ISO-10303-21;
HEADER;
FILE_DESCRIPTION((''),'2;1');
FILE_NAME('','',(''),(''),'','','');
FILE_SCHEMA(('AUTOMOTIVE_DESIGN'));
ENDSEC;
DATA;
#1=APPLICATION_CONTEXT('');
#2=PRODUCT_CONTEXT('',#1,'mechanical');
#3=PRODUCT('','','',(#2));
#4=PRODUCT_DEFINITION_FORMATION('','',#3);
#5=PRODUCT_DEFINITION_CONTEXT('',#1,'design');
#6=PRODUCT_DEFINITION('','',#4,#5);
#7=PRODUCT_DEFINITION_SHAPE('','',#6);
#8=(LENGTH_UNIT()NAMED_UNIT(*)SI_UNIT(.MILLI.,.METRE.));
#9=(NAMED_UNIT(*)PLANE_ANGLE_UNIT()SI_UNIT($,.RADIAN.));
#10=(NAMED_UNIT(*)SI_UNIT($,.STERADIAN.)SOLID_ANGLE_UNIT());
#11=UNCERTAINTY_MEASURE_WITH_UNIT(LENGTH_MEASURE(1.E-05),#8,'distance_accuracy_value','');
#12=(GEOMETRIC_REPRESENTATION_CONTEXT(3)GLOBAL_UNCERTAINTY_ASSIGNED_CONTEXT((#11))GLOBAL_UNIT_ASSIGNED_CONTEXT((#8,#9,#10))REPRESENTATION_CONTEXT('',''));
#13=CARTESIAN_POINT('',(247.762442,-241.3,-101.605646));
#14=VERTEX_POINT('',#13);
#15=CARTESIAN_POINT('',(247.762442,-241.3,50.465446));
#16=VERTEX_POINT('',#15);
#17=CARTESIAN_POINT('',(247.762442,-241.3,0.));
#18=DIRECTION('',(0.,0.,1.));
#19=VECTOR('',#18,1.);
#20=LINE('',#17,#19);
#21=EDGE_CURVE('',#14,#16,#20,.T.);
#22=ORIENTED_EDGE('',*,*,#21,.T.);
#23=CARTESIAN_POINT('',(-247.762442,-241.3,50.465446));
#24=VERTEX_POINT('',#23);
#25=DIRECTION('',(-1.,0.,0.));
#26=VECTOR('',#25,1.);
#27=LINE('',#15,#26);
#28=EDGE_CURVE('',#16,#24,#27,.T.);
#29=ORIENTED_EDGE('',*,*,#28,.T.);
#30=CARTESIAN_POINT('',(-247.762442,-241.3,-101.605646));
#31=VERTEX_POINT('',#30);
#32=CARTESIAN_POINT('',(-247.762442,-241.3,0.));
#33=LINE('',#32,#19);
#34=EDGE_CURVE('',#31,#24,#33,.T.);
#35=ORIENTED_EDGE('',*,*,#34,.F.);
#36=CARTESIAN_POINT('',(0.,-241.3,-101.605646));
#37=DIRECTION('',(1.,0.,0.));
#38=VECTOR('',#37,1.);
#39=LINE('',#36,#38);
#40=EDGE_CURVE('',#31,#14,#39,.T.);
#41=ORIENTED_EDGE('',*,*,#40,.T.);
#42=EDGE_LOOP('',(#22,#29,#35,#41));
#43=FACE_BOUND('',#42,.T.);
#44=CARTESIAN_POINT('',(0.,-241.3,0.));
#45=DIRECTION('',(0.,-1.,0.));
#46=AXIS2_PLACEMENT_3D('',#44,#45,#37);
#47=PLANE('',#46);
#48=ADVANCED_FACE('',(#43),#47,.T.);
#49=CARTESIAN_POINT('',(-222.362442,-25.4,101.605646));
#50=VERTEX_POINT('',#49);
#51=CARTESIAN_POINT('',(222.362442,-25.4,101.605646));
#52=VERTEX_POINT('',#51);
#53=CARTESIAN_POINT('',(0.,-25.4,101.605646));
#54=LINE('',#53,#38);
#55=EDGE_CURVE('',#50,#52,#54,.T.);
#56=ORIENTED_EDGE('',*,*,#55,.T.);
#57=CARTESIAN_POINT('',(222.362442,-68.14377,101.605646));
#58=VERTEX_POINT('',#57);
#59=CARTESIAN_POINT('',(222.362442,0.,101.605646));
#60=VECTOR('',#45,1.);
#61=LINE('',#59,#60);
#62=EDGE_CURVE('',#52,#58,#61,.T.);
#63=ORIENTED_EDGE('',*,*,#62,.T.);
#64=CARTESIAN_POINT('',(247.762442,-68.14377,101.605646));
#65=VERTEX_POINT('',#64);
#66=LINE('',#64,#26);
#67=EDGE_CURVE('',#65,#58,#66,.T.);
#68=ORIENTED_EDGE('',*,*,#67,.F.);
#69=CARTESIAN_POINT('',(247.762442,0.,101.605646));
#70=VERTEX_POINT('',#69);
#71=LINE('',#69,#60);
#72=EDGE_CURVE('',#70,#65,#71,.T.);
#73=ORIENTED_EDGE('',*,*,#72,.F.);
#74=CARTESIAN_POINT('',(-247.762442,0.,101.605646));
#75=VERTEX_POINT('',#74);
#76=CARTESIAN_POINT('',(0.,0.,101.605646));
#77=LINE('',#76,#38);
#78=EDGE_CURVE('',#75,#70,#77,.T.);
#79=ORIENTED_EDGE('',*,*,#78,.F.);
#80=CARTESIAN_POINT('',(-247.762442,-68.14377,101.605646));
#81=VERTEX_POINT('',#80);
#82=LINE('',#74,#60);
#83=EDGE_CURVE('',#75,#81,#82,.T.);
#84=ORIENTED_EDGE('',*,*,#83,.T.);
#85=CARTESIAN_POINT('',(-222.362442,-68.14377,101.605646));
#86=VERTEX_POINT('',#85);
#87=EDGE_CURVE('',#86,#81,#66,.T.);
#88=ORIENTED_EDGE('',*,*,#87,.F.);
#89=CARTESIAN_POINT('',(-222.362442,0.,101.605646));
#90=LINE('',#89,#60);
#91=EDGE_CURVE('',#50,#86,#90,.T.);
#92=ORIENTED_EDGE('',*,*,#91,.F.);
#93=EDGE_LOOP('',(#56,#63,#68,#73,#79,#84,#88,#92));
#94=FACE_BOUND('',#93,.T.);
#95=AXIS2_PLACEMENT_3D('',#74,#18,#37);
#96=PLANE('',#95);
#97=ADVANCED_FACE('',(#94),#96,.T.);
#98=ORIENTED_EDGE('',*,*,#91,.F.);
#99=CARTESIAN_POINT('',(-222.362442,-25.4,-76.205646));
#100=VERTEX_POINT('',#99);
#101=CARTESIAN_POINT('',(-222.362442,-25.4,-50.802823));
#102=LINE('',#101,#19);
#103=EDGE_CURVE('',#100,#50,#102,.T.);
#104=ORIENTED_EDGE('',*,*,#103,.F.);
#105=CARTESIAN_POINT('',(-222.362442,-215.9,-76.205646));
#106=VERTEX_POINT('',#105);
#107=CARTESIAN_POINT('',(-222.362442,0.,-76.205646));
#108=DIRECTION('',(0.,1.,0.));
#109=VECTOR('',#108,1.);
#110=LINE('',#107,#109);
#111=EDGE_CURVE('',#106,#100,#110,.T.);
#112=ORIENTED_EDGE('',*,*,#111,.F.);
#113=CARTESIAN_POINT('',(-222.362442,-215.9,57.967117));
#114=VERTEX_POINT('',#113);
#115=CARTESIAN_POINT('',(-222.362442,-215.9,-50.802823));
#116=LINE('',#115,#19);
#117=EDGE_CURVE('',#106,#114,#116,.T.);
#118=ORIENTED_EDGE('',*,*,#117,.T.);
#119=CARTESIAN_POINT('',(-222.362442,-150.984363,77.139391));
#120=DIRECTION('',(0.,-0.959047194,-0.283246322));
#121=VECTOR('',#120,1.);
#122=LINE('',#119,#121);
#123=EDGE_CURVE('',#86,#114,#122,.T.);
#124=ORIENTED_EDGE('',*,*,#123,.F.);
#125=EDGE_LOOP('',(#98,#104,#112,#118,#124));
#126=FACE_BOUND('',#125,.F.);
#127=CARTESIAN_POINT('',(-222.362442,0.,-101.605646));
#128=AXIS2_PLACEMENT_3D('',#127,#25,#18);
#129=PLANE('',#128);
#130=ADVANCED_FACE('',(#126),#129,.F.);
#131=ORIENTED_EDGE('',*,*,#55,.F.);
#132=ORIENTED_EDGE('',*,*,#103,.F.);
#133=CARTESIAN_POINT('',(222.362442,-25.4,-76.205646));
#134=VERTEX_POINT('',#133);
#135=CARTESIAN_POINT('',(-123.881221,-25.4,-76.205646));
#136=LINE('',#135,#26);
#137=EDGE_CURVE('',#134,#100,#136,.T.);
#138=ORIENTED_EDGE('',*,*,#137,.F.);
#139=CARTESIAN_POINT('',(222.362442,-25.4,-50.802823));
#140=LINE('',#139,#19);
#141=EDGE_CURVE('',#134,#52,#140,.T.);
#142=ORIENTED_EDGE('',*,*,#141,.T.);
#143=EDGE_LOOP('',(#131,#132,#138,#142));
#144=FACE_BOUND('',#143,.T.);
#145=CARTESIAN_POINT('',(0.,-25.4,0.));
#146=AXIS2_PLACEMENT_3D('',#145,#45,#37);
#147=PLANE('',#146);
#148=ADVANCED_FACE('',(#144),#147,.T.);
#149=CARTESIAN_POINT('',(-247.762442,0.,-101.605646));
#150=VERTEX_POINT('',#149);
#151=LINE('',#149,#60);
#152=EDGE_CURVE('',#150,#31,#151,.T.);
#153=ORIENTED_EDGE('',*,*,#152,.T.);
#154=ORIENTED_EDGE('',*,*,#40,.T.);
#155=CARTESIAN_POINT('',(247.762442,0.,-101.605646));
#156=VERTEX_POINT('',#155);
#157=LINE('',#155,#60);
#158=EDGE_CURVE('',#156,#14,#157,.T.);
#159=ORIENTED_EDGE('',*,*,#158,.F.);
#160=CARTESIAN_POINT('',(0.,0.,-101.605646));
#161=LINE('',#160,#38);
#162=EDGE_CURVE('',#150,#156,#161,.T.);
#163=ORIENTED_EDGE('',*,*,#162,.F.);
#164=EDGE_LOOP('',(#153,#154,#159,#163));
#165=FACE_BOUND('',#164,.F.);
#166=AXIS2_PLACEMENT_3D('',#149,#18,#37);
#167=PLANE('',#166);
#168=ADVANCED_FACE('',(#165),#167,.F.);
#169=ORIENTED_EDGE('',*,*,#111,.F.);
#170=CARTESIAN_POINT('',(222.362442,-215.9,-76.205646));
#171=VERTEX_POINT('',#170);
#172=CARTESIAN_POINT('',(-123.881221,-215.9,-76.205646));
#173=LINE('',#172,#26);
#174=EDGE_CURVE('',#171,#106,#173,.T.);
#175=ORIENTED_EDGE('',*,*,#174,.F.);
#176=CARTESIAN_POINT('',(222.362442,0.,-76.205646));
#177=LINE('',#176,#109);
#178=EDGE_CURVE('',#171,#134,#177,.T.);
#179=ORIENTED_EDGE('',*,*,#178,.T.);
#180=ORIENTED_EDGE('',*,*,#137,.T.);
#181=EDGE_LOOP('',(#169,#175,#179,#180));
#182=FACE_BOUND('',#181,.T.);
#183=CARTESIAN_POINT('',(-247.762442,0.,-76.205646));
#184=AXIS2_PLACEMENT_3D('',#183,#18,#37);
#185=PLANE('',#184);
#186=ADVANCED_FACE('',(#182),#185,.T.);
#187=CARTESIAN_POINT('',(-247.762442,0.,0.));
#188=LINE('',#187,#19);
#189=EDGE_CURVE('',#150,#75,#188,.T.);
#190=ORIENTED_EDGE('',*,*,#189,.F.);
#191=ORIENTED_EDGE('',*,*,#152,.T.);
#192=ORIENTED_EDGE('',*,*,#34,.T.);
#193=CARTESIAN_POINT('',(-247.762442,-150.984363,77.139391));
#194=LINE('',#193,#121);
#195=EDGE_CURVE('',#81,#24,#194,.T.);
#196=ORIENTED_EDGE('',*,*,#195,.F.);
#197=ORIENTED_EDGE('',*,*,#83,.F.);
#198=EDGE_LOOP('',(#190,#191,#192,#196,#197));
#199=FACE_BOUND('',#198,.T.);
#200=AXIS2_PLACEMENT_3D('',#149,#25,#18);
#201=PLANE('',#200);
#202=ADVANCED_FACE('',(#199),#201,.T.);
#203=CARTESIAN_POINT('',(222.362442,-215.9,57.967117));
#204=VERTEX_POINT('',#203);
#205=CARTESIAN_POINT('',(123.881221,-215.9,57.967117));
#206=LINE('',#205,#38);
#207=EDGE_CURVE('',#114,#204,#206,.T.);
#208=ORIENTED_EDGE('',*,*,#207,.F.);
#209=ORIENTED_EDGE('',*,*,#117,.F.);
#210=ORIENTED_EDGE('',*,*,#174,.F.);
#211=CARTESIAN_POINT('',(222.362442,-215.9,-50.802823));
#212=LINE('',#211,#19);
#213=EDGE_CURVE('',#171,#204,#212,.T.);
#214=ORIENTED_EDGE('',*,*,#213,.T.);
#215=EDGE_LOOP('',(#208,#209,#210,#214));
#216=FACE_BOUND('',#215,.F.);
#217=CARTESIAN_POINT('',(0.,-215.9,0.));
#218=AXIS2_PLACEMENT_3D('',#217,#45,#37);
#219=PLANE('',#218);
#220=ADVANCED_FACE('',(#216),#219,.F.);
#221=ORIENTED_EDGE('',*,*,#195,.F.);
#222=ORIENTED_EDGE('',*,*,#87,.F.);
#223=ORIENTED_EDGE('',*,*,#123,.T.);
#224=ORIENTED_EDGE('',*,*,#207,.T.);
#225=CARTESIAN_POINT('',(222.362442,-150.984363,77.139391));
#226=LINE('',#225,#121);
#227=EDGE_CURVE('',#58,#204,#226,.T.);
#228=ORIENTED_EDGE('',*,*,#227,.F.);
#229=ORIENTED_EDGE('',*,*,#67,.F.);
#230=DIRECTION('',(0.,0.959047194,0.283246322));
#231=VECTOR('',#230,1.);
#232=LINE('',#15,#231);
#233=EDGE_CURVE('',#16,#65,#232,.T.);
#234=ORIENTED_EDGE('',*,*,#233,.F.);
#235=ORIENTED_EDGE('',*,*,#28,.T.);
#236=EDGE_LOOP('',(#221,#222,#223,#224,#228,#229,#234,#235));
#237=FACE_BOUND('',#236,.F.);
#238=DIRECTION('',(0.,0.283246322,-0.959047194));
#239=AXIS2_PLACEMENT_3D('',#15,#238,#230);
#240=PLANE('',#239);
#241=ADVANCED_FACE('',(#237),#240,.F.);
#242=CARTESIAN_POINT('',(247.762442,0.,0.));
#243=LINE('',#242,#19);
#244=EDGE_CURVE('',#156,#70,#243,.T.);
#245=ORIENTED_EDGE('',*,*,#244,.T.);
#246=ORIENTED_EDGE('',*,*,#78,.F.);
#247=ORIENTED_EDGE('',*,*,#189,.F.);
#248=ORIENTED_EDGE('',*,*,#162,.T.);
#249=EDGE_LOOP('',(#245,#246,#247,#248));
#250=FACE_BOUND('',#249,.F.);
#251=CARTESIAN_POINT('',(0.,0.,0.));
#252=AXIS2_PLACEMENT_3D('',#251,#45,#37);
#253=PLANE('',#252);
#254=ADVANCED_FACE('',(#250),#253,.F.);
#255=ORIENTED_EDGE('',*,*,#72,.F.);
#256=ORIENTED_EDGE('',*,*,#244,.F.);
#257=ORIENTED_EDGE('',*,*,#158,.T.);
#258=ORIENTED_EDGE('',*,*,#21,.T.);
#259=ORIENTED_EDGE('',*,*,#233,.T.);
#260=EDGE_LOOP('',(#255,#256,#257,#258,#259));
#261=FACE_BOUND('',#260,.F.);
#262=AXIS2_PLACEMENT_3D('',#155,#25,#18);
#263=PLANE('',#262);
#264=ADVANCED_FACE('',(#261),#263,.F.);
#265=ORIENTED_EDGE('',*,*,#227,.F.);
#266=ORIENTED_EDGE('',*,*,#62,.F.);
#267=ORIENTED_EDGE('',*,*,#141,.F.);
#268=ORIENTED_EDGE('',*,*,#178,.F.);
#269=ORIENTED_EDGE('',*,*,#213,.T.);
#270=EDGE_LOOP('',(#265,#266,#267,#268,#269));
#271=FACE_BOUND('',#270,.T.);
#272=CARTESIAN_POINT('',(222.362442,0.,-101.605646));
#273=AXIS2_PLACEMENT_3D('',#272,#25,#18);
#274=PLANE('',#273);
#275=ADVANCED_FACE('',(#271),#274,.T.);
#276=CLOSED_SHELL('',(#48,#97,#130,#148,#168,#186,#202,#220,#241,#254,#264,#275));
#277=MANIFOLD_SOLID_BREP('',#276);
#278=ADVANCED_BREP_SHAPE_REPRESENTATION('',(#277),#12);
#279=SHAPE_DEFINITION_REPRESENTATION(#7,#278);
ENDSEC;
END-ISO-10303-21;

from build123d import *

# Parameters (mm, degrees)
F0_W     = 495.524884
F0_H     = 203.211292
F1_DEPTH = 241.3
F2_T     = -25.4
F4_DEPTH = 495.554


with BuildPart() as f1:
    # F0 (on Front) → F1 (new body)
    with BuildSketch(Plane.XZ):
        Rectangle(F0_W, F0_H)
    extrude(amount=F1_DEPTH)

    # F2
    f2_openings = [f1.faces().sort_by_distance(p)[0] for p in [
        (0, -120.65, 101.605646),
    ]]
    offset(amount=F2_T, openings=f2_openings)

    # F3 (on face) → F4 (cut)
    with BuildSketch(Plane.YZ.offset(247.762442)):
        Polygon((-68.14377, 101.605646), (-241.3, 101.605646), (-241.3, 50.465446), align=None)
    extrude(amount=-F4_DEPTH, mode=Mode.SUBTRACT)


solid = f1.part
